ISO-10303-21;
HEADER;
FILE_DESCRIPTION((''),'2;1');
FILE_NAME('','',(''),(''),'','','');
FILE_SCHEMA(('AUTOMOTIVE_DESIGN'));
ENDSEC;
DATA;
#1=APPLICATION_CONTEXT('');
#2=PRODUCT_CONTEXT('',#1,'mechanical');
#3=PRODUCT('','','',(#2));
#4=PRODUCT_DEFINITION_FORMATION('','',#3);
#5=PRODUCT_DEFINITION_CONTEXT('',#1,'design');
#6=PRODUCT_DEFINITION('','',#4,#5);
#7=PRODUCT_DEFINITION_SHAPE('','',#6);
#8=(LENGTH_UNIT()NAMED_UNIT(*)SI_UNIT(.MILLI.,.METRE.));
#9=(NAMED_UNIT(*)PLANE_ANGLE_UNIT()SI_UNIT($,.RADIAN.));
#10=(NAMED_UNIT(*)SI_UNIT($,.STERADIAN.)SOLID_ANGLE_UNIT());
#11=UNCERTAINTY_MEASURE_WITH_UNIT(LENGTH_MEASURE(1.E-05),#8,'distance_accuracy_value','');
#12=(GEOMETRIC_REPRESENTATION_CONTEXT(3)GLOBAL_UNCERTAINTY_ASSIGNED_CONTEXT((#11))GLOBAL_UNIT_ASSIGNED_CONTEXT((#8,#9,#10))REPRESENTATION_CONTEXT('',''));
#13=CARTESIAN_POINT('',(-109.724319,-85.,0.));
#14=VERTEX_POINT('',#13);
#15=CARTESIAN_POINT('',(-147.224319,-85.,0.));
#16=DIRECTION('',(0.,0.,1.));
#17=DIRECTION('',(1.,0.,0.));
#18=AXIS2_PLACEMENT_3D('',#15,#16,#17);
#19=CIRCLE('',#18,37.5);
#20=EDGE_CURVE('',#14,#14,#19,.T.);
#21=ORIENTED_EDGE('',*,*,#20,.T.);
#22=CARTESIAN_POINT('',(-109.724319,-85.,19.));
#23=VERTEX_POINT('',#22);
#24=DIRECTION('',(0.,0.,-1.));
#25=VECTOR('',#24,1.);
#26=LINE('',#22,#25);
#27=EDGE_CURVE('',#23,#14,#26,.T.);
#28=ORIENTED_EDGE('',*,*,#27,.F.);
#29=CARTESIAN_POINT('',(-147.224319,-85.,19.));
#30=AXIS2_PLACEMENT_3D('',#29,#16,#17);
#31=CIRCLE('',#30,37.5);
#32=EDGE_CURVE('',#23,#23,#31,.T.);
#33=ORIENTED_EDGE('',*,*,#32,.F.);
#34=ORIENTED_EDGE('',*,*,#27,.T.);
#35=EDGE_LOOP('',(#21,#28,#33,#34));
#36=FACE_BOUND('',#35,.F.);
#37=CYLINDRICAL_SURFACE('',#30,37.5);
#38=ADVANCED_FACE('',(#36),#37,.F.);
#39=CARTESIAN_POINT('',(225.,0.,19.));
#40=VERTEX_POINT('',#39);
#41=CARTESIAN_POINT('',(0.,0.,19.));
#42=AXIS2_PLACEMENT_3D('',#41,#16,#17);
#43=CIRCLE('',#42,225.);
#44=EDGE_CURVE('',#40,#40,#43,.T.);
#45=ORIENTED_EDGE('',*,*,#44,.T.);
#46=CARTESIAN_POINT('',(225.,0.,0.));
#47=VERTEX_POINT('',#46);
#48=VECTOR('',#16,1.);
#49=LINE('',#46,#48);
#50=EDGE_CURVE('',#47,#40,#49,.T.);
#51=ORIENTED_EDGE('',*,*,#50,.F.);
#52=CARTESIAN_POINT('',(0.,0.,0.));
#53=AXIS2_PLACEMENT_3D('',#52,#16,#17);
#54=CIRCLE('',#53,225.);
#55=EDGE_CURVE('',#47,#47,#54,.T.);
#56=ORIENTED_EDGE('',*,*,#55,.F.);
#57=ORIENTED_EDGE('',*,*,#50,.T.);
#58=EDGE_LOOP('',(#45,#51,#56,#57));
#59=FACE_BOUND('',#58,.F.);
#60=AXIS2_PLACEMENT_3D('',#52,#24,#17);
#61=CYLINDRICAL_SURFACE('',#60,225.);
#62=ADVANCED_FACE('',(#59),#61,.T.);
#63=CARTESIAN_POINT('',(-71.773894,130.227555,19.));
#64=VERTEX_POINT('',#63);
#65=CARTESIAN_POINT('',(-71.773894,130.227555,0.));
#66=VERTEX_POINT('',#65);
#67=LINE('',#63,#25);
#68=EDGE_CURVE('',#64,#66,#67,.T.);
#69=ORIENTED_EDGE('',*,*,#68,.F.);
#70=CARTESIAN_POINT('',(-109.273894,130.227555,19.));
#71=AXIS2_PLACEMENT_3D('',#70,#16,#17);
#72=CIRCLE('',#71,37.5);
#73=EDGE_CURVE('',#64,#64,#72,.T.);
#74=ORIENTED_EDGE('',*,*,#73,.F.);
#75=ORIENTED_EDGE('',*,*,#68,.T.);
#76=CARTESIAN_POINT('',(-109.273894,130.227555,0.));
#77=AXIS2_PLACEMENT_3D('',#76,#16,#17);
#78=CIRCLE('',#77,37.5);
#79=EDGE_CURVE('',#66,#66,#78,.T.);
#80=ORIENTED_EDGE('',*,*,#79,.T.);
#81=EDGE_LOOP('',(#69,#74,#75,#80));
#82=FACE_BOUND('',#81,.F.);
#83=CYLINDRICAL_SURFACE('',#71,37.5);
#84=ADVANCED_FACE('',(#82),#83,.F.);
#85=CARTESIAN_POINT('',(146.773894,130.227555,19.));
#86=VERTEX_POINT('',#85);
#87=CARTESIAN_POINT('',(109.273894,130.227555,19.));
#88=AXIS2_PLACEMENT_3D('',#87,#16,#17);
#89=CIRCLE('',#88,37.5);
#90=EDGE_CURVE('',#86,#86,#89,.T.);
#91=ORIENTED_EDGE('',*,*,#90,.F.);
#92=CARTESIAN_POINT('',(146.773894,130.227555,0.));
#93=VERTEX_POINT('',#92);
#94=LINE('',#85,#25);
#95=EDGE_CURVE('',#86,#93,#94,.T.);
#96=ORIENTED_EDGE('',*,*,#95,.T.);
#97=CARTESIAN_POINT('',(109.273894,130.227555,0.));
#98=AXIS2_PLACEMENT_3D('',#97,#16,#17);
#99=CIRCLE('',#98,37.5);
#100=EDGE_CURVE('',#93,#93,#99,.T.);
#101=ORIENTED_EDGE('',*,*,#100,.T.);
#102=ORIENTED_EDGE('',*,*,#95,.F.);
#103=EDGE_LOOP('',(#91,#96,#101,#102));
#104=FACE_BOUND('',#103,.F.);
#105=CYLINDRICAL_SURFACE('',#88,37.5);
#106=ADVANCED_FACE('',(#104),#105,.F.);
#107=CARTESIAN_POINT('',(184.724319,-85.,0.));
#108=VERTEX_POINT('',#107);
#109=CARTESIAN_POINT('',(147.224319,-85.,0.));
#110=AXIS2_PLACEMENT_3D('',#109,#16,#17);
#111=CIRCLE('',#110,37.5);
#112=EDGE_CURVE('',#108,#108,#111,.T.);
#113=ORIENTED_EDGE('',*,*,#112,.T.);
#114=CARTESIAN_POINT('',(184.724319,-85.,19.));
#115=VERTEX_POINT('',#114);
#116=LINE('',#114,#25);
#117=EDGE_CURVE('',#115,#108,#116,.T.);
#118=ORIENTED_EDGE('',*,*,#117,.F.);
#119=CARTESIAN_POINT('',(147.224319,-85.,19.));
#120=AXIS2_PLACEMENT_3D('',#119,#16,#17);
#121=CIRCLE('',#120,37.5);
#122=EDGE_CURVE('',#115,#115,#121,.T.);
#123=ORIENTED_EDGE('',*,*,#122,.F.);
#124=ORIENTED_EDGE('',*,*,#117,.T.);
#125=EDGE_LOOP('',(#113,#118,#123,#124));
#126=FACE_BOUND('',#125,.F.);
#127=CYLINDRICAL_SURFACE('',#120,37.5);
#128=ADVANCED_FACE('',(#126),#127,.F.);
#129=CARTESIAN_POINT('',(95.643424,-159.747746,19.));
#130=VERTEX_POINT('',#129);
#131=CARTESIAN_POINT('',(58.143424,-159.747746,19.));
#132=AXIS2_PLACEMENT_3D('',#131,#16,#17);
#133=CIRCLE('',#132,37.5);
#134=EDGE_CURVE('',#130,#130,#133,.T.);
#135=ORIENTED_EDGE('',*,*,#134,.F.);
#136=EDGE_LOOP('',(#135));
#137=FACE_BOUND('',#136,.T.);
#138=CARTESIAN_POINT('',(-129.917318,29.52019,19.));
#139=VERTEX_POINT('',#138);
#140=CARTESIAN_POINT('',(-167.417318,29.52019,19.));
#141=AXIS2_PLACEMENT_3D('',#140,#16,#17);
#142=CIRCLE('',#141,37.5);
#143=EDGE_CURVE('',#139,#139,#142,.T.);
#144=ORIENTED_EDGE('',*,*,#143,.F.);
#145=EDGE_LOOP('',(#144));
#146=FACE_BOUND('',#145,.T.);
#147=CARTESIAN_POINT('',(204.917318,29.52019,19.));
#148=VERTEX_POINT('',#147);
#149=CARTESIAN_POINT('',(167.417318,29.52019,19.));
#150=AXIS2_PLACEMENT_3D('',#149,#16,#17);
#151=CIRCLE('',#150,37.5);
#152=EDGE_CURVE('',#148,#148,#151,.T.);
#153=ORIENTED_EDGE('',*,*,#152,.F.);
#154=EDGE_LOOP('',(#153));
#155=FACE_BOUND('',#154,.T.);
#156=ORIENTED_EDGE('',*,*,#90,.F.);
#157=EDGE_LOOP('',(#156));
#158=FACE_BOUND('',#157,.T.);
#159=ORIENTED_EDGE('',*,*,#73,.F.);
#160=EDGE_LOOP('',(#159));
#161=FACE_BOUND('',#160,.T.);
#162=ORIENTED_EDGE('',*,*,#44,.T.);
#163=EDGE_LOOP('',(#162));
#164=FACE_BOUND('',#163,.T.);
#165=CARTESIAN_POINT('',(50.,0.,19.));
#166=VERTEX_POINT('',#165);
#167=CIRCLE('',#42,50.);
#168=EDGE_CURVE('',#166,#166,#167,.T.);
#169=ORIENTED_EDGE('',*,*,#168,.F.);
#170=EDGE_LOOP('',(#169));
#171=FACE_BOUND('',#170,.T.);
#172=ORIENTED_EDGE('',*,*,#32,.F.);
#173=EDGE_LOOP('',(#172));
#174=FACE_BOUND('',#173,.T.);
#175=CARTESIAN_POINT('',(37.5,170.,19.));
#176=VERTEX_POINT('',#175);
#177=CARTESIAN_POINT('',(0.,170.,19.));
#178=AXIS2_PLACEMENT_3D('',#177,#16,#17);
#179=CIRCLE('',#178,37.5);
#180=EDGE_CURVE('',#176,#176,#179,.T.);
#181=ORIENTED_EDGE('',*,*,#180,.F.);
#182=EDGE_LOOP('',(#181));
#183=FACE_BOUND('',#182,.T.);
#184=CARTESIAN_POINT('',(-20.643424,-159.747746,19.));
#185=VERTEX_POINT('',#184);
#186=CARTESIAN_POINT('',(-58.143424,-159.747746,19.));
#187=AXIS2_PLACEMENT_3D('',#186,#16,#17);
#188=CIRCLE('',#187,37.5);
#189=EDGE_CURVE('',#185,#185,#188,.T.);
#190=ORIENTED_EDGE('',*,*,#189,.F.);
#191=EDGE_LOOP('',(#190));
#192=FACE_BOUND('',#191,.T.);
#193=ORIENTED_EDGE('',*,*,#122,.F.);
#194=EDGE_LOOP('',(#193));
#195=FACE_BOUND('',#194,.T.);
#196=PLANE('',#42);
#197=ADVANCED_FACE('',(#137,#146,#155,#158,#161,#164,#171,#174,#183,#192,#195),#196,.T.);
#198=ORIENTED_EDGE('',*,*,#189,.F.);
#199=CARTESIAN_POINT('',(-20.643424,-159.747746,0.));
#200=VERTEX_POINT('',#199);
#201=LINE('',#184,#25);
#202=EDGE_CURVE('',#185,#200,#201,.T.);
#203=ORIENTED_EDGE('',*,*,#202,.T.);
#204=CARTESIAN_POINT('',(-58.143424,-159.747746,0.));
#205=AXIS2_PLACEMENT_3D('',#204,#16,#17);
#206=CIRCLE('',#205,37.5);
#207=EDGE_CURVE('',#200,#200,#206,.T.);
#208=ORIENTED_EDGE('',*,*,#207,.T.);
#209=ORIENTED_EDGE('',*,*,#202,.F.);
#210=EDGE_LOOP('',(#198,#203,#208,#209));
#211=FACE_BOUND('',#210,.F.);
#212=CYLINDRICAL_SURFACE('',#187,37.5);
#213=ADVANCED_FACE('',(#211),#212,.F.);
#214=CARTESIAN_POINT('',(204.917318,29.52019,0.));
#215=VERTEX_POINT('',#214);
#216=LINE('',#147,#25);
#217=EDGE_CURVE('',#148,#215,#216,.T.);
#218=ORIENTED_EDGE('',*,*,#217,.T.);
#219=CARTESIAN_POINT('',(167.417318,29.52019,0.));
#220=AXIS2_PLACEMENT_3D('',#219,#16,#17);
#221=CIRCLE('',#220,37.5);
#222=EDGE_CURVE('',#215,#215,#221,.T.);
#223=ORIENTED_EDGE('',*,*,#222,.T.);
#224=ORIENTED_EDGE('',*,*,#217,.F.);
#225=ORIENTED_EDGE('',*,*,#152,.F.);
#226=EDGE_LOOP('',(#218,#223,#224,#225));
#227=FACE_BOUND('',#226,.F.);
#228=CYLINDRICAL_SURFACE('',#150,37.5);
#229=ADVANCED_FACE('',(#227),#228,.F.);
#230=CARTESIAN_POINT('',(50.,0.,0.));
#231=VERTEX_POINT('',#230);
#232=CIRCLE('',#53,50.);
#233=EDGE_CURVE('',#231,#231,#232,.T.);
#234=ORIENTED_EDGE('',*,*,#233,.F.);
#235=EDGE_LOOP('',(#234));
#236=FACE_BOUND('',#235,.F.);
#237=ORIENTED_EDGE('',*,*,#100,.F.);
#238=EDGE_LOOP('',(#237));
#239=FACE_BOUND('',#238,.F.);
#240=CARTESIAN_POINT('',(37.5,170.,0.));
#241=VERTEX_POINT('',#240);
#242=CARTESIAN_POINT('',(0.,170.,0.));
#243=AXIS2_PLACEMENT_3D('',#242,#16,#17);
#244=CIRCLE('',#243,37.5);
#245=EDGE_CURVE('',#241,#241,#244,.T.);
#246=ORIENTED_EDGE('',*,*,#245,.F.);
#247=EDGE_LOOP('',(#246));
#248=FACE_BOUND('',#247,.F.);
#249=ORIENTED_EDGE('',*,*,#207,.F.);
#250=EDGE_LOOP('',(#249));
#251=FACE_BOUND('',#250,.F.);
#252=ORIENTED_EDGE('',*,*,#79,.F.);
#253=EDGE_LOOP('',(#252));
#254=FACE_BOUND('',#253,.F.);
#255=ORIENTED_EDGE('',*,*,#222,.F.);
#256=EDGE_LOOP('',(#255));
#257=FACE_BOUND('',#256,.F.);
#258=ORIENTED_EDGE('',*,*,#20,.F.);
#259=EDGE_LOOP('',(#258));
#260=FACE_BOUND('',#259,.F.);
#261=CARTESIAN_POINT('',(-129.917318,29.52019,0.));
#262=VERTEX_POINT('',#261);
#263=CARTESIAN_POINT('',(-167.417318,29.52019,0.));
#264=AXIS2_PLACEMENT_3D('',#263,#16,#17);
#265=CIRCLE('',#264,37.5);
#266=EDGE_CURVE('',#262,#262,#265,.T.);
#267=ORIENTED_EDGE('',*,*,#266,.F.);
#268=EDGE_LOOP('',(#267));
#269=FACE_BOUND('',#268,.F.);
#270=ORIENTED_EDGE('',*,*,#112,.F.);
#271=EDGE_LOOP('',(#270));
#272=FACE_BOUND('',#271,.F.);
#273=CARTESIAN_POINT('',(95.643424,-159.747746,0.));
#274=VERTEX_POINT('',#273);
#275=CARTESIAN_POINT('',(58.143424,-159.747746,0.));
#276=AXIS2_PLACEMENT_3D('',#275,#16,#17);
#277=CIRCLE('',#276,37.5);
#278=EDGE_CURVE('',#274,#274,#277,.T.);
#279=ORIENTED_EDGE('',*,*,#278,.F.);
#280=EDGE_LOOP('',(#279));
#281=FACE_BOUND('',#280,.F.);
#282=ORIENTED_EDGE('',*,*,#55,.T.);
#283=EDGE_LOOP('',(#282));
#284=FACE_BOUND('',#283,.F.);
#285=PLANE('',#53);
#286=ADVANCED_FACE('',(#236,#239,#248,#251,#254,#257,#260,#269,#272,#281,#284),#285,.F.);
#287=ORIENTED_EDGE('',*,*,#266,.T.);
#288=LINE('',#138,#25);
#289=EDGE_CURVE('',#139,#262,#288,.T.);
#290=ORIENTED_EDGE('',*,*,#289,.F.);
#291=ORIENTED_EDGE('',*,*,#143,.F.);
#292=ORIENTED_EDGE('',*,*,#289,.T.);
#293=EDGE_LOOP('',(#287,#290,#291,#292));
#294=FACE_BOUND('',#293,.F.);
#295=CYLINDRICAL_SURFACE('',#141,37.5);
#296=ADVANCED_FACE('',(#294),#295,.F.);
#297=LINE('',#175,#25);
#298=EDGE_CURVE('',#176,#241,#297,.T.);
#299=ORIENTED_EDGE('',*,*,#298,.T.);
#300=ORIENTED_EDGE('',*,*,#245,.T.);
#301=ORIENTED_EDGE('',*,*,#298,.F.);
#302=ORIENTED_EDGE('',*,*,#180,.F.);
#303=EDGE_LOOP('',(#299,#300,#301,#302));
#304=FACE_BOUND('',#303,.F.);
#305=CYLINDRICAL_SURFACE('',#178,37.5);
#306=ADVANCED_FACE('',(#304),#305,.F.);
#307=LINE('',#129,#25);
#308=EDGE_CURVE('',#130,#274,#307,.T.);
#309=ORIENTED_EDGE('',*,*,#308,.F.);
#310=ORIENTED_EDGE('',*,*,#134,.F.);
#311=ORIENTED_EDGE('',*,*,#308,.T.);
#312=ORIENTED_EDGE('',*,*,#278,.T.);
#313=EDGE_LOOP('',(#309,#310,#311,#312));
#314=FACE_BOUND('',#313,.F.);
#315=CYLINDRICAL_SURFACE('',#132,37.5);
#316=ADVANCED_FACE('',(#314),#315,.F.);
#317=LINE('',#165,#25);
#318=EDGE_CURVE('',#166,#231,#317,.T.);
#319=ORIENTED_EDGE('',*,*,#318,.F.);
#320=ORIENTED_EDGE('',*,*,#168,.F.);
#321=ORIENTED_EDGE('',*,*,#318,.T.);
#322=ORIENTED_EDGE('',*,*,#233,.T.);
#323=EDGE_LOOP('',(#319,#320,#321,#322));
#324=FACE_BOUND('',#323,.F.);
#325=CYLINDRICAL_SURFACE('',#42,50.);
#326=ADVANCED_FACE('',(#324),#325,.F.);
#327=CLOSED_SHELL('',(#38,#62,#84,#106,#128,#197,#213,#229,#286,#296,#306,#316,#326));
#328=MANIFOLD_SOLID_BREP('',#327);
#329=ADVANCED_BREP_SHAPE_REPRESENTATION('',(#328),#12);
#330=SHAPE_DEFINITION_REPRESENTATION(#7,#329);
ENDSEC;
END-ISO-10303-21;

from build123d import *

# Parameters (mm, degrees)
F0_R     = 225
F1_DEPTH = 19
F2_R     = 50
F2_R_2   = 37.5
F3_DEPTH = 53


with BuildPart() as f1:
    # F0 (on Top) → F1 (new body)
    with BuildSketch(Plane.XY):
        Circle(F0_R)
    extrude(amount=F1_DEPTH)

    # F2 (on face) → F3 (cut)
    with BuildSketch(Plane.XY.offset(19)):
        Circle(F2_R)
        with Locations((0, 170)):
            Circle(F2_R_2)
        with Locations((-109.273894, 130.227555)):
            Circle(F2_R_2)
        with Locations((-167.417318, 29.52019)):
            Circle(F2_R_2)
        with Locations((-147.224319, -85)):
            Circle(F2_R_2)
        with Locations((-58.143424, -159.747746)):
            Circle(F2_R_2)
        with Locations((58.143424, -159.747746)):
            Circle(F2_R_2)
        with Locations((147.224319, -85)):
            Circle(F2_R_2)
        with Locations((167.417318, 29.52019)):
            Circle(F2_R_2)
        with Locations((109.273894, 130.227555)):
            Circle(F2_R_2)
    extrude(amount=-F3_DEPTH, mode=Mode.SUBTRACT)


solid = f1.part
